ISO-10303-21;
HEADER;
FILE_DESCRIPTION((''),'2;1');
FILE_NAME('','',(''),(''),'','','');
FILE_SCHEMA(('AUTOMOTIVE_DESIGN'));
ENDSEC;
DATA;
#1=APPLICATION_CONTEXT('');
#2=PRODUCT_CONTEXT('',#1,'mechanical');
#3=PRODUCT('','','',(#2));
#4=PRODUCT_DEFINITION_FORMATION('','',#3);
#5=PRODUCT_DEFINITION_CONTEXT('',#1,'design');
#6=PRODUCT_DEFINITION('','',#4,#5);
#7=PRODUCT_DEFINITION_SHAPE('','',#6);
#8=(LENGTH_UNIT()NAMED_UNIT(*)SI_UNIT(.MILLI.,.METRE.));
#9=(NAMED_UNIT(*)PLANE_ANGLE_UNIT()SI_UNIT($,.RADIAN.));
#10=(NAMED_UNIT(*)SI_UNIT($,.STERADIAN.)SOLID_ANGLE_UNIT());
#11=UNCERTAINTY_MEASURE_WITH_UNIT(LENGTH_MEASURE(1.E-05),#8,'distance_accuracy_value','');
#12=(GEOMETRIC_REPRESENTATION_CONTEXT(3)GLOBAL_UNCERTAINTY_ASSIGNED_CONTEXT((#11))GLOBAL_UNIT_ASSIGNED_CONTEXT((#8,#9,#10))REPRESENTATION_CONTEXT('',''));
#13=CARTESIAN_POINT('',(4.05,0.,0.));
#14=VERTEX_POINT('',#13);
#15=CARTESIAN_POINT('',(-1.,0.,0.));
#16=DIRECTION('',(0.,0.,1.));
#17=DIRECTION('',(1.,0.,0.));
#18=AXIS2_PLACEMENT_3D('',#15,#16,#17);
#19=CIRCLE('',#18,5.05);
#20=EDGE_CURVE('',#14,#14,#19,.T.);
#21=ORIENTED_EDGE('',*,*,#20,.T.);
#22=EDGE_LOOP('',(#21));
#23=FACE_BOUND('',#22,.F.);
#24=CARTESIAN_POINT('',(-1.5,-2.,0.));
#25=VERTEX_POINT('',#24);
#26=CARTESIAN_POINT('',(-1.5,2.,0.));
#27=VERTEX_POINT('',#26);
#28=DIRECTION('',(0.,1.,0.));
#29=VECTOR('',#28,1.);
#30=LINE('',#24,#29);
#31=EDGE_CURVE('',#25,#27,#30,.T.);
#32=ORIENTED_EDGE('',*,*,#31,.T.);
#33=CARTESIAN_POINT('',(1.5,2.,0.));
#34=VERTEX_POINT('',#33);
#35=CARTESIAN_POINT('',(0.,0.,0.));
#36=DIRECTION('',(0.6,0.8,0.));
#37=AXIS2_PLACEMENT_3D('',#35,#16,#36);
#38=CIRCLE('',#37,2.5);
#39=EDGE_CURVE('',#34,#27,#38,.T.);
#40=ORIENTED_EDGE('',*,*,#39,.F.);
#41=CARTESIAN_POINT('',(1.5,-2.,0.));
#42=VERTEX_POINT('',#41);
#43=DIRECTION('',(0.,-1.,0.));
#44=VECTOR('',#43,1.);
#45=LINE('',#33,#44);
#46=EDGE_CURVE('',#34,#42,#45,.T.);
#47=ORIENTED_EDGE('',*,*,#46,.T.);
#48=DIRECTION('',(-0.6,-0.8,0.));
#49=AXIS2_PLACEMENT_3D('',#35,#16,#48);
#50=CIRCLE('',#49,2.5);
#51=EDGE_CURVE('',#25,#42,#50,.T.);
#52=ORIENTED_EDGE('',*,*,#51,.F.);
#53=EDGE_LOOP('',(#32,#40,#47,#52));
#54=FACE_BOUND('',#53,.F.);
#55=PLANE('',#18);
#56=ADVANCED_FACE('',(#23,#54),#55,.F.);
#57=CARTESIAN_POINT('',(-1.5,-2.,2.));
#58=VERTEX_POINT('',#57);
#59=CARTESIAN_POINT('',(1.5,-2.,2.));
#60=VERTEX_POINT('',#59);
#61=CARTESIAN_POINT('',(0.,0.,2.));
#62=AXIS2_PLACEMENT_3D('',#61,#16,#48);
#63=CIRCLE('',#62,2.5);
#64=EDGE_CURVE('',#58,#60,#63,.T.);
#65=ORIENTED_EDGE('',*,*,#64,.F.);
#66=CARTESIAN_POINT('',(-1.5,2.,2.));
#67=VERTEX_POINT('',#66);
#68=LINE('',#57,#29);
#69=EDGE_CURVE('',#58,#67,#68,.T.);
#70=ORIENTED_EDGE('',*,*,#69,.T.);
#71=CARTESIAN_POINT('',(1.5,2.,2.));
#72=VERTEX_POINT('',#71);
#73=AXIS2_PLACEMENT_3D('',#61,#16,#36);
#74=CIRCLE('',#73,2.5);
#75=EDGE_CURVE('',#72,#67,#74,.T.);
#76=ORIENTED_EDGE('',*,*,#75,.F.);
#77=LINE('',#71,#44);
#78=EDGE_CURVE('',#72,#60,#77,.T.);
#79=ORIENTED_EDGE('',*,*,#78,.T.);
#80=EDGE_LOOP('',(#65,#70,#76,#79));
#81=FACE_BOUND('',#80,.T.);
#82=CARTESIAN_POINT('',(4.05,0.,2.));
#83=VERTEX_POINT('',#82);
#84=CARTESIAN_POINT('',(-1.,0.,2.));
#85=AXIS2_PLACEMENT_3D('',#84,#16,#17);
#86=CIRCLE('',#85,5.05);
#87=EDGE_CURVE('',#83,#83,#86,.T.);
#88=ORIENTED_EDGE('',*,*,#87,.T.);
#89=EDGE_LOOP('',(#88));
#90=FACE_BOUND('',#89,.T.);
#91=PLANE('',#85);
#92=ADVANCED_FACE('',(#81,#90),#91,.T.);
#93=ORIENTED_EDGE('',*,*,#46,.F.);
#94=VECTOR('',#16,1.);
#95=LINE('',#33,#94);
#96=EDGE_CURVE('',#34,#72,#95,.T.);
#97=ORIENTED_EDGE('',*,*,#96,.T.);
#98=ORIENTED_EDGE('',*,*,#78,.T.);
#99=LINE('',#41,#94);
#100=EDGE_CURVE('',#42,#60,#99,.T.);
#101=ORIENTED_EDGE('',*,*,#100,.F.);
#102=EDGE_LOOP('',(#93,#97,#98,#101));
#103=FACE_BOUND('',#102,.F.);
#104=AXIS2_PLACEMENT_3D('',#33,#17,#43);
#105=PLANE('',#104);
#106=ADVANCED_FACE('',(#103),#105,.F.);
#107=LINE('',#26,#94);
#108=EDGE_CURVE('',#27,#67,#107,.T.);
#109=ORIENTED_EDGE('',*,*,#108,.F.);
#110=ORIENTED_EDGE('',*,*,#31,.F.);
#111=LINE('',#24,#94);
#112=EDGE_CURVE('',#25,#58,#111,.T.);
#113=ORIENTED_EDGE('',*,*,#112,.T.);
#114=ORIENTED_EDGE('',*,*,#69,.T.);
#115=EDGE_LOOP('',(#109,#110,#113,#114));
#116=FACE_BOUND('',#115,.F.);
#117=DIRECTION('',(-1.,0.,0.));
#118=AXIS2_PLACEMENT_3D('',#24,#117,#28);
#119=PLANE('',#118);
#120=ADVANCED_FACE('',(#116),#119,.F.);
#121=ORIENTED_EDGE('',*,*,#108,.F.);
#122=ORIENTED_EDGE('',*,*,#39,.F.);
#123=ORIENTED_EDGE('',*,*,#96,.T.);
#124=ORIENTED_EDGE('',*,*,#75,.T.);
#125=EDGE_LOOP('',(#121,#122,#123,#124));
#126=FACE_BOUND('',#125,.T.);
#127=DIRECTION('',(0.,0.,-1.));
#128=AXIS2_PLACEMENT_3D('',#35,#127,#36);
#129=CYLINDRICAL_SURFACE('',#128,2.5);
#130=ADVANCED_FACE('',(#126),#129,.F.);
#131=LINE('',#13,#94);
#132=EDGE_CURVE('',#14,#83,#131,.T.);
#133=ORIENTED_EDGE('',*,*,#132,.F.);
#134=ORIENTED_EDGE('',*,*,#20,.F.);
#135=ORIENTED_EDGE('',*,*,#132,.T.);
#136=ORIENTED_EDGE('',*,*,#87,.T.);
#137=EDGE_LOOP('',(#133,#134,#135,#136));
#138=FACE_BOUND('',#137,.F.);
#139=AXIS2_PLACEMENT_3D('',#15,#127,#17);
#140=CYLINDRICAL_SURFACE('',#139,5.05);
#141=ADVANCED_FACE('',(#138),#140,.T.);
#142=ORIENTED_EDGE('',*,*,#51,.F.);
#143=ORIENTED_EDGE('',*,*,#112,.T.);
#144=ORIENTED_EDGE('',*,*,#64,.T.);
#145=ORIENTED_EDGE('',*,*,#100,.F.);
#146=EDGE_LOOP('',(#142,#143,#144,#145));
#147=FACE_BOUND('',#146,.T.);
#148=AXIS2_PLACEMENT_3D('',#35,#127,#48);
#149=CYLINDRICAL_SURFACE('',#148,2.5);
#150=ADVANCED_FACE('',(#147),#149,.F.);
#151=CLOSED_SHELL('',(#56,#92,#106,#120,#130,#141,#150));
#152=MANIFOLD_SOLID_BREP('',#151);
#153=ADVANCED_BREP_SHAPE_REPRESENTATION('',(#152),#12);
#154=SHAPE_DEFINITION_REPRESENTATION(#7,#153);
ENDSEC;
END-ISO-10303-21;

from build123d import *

# Parameters (mm, degrees)
SKETCH002_R       = 5.05
PAD001_DEPTH      = 2
POCKET_DEPTH      = 2
POCKET_DEPTH_BACK = -2


with BuildPart() as part:
    # Sketch002 → Pad001 (new body)
    with BuildSketch(Plane.XY):
        with Locations((-1, 0)):
            Circle(SKETCH002_R)
    extrude(amount=PAD001_DEPTH)

    # Sketch → Pocket (cut, two sides)
    with BuildSketch(Plane.XY) as pocket_sk:
        with BuildLine():
            ThreePointArc((1.5, 2), (0, 2.5), (-1.5, 2))
            Line((-1.5, -2), (-1.5, 2))
            ThreePointArc((-1.5, -2), (0, -2.5), (1.5, -2))
            Line((1.5, 2), (1.5, -2))
        make_face()
    extrude(amount=-POCKET_DEPTH, mode=Mode.SUBTRACT)
    extrude(pocket_sk.sketch, amount=-POCKET_DEPTH_BACK, mode=Mode.SUBTRACT)


solid = part.part
